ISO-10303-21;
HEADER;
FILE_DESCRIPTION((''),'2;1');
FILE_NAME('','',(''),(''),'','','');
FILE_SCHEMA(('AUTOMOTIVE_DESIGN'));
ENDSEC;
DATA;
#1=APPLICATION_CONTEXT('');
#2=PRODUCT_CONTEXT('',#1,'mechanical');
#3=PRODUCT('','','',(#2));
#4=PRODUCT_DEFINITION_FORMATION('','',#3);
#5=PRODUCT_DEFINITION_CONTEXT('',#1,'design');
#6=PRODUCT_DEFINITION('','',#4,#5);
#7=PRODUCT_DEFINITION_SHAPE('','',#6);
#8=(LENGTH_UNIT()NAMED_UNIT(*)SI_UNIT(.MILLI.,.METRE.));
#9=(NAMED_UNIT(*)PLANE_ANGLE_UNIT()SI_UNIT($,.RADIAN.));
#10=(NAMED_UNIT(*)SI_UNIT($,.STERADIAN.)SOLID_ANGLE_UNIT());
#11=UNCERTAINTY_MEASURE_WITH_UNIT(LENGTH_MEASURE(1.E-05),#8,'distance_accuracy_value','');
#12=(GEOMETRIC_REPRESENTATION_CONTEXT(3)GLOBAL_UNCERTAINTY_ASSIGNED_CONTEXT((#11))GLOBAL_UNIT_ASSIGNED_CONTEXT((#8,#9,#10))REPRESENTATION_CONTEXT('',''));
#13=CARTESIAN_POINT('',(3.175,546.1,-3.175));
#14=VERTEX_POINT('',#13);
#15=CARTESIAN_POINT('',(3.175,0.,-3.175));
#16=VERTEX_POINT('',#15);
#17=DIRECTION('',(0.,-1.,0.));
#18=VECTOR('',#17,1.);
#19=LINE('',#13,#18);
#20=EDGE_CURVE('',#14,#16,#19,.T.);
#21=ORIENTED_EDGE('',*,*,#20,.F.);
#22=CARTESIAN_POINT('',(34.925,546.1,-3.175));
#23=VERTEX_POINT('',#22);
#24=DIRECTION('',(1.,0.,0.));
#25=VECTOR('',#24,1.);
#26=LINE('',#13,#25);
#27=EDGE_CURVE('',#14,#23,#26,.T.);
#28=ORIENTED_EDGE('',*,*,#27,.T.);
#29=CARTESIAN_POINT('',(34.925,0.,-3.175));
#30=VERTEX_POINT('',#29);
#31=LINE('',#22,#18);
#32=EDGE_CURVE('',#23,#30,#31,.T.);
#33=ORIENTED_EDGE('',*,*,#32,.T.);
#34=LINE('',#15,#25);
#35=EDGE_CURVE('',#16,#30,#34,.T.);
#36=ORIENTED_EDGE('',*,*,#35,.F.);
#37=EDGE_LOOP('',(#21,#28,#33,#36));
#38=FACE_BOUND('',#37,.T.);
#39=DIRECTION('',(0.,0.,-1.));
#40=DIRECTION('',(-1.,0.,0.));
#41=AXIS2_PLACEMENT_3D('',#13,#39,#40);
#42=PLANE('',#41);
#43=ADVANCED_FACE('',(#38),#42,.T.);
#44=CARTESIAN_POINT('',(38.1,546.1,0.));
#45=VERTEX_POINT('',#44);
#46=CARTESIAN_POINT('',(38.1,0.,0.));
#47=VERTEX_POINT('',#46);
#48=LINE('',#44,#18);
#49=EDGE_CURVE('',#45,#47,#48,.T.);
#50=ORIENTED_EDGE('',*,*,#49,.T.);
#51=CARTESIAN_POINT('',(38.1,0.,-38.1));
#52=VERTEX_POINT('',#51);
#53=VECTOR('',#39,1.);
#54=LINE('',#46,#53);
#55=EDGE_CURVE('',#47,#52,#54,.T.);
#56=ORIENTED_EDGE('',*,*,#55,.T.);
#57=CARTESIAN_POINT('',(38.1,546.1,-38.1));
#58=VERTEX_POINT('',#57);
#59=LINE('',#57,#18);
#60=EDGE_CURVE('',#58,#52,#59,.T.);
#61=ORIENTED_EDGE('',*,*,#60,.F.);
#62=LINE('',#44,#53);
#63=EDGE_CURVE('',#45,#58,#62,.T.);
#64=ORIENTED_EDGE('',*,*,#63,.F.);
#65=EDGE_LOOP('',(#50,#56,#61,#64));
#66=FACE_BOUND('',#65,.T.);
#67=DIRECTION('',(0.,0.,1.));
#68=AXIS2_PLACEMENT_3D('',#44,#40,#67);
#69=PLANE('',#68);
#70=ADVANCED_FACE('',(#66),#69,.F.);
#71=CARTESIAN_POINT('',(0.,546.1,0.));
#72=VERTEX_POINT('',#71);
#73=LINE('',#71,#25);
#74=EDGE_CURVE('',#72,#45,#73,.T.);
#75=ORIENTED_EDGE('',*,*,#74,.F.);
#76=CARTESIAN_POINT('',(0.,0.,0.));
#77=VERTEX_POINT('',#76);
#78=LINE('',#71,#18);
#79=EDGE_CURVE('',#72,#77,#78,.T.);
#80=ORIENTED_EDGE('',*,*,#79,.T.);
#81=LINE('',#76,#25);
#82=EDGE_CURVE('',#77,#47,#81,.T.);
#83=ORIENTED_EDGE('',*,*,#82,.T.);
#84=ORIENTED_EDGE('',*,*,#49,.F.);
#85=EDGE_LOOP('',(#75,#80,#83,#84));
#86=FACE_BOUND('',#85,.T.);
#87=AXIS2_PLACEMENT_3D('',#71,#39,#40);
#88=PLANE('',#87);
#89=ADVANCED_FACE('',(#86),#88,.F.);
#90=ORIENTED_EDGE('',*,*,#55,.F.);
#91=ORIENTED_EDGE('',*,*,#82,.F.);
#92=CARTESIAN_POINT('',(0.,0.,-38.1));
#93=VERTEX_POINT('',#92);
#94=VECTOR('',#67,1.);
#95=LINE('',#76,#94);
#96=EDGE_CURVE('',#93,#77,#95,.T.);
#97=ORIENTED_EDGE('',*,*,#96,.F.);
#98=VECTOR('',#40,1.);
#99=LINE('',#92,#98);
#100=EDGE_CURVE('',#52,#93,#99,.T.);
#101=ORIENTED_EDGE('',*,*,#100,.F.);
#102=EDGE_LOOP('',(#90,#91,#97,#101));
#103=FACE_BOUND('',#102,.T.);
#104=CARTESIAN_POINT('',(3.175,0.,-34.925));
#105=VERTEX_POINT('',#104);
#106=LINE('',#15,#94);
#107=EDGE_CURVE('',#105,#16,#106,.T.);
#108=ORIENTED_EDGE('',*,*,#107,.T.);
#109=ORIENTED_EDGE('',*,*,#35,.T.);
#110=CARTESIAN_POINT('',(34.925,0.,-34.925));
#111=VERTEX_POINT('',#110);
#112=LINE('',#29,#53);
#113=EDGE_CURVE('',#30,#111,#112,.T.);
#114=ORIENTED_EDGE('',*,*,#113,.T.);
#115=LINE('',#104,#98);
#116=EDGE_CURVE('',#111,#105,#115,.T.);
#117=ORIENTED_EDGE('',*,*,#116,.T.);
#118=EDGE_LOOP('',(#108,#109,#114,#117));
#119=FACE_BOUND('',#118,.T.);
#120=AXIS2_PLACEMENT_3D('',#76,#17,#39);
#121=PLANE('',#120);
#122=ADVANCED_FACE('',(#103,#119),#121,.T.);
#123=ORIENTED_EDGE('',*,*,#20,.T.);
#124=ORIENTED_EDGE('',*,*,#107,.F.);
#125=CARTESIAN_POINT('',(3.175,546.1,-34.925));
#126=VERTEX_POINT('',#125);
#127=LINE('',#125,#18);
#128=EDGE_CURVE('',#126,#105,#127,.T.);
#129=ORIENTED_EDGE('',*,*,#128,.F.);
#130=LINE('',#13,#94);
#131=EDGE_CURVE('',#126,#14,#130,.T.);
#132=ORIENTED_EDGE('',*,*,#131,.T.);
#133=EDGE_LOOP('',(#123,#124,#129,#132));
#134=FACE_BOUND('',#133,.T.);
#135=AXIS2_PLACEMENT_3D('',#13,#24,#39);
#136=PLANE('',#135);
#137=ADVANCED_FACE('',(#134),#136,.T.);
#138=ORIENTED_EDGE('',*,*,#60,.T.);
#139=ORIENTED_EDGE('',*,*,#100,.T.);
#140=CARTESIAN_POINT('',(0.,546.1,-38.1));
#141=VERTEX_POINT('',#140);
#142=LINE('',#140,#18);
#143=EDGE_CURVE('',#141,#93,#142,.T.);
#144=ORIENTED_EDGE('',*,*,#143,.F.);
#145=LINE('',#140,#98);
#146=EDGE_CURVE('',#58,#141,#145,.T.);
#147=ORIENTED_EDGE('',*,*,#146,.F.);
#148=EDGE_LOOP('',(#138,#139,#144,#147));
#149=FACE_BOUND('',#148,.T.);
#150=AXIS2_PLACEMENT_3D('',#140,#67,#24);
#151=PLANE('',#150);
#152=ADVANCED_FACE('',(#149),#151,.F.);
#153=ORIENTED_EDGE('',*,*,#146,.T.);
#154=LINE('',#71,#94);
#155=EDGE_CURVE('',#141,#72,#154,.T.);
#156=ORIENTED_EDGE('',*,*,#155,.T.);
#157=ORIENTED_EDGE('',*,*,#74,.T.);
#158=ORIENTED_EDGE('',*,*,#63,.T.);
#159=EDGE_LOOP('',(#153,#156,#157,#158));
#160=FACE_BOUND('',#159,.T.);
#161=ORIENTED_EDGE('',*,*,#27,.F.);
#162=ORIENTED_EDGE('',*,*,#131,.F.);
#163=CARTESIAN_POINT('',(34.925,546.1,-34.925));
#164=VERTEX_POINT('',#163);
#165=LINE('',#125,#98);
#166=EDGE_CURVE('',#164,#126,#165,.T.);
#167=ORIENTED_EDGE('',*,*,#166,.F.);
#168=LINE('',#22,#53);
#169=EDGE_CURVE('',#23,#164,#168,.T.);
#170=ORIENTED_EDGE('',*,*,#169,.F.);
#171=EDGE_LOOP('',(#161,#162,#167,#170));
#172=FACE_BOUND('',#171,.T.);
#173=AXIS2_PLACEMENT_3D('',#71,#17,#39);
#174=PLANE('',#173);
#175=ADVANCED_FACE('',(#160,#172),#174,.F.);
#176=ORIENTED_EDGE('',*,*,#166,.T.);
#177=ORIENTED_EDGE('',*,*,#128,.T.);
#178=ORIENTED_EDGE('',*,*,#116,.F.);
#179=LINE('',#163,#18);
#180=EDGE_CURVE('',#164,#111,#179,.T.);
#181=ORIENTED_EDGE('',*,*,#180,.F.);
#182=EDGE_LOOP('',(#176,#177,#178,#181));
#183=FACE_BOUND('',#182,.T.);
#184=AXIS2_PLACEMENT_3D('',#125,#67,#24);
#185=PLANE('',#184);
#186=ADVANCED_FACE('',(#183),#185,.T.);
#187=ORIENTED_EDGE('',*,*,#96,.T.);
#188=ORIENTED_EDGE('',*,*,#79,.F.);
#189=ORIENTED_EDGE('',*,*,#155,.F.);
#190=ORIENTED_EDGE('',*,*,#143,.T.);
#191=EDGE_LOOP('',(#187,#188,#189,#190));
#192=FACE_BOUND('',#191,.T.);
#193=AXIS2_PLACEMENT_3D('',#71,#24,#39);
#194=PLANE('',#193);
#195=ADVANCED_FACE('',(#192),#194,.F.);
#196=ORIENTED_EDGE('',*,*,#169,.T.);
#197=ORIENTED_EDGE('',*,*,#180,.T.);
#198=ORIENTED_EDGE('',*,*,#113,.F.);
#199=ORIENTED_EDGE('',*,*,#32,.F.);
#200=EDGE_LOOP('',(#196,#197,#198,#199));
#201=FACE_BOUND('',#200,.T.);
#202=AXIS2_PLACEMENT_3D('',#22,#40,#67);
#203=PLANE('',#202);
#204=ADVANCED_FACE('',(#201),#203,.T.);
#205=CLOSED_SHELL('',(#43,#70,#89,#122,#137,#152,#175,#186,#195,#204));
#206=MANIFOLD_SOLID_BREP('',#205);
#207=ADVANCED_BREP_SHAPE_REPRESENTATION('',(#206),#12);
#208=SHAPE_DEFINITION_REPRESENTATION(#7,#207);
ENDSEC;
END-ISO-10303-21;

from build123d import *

# Parameters (mm, degrees)
SKETCH1_W           = 38.1
SKETCH1_H           = 38.1
SKETCH1_W_2         = 31.75
SKETCH1_H_2         = 31.75
BOSS_EXTRUDE1_DEPTH = 546.1


with BuildPart() as part:
    # Sketch1 → Boss-Extrude1 (new body)
    with BuildSketch(Plane(origin=(0, 0, 0), x_dir=(1, 0, 0), z_dir=(0, 1, 0))):
        with Locations((19.05, 19.05)):
            Rectangle(SKETCH1_W, SKETCH1_H)
        with Locations((19.05, 19.05)):
            Rectangle(SKETCH1_W_2, SKETCH1_H_2, mode=Mode.SUBTRACT)
    extrude(amount=BOSS_EXTRUDE1_DEPTH)


solid = part.part
